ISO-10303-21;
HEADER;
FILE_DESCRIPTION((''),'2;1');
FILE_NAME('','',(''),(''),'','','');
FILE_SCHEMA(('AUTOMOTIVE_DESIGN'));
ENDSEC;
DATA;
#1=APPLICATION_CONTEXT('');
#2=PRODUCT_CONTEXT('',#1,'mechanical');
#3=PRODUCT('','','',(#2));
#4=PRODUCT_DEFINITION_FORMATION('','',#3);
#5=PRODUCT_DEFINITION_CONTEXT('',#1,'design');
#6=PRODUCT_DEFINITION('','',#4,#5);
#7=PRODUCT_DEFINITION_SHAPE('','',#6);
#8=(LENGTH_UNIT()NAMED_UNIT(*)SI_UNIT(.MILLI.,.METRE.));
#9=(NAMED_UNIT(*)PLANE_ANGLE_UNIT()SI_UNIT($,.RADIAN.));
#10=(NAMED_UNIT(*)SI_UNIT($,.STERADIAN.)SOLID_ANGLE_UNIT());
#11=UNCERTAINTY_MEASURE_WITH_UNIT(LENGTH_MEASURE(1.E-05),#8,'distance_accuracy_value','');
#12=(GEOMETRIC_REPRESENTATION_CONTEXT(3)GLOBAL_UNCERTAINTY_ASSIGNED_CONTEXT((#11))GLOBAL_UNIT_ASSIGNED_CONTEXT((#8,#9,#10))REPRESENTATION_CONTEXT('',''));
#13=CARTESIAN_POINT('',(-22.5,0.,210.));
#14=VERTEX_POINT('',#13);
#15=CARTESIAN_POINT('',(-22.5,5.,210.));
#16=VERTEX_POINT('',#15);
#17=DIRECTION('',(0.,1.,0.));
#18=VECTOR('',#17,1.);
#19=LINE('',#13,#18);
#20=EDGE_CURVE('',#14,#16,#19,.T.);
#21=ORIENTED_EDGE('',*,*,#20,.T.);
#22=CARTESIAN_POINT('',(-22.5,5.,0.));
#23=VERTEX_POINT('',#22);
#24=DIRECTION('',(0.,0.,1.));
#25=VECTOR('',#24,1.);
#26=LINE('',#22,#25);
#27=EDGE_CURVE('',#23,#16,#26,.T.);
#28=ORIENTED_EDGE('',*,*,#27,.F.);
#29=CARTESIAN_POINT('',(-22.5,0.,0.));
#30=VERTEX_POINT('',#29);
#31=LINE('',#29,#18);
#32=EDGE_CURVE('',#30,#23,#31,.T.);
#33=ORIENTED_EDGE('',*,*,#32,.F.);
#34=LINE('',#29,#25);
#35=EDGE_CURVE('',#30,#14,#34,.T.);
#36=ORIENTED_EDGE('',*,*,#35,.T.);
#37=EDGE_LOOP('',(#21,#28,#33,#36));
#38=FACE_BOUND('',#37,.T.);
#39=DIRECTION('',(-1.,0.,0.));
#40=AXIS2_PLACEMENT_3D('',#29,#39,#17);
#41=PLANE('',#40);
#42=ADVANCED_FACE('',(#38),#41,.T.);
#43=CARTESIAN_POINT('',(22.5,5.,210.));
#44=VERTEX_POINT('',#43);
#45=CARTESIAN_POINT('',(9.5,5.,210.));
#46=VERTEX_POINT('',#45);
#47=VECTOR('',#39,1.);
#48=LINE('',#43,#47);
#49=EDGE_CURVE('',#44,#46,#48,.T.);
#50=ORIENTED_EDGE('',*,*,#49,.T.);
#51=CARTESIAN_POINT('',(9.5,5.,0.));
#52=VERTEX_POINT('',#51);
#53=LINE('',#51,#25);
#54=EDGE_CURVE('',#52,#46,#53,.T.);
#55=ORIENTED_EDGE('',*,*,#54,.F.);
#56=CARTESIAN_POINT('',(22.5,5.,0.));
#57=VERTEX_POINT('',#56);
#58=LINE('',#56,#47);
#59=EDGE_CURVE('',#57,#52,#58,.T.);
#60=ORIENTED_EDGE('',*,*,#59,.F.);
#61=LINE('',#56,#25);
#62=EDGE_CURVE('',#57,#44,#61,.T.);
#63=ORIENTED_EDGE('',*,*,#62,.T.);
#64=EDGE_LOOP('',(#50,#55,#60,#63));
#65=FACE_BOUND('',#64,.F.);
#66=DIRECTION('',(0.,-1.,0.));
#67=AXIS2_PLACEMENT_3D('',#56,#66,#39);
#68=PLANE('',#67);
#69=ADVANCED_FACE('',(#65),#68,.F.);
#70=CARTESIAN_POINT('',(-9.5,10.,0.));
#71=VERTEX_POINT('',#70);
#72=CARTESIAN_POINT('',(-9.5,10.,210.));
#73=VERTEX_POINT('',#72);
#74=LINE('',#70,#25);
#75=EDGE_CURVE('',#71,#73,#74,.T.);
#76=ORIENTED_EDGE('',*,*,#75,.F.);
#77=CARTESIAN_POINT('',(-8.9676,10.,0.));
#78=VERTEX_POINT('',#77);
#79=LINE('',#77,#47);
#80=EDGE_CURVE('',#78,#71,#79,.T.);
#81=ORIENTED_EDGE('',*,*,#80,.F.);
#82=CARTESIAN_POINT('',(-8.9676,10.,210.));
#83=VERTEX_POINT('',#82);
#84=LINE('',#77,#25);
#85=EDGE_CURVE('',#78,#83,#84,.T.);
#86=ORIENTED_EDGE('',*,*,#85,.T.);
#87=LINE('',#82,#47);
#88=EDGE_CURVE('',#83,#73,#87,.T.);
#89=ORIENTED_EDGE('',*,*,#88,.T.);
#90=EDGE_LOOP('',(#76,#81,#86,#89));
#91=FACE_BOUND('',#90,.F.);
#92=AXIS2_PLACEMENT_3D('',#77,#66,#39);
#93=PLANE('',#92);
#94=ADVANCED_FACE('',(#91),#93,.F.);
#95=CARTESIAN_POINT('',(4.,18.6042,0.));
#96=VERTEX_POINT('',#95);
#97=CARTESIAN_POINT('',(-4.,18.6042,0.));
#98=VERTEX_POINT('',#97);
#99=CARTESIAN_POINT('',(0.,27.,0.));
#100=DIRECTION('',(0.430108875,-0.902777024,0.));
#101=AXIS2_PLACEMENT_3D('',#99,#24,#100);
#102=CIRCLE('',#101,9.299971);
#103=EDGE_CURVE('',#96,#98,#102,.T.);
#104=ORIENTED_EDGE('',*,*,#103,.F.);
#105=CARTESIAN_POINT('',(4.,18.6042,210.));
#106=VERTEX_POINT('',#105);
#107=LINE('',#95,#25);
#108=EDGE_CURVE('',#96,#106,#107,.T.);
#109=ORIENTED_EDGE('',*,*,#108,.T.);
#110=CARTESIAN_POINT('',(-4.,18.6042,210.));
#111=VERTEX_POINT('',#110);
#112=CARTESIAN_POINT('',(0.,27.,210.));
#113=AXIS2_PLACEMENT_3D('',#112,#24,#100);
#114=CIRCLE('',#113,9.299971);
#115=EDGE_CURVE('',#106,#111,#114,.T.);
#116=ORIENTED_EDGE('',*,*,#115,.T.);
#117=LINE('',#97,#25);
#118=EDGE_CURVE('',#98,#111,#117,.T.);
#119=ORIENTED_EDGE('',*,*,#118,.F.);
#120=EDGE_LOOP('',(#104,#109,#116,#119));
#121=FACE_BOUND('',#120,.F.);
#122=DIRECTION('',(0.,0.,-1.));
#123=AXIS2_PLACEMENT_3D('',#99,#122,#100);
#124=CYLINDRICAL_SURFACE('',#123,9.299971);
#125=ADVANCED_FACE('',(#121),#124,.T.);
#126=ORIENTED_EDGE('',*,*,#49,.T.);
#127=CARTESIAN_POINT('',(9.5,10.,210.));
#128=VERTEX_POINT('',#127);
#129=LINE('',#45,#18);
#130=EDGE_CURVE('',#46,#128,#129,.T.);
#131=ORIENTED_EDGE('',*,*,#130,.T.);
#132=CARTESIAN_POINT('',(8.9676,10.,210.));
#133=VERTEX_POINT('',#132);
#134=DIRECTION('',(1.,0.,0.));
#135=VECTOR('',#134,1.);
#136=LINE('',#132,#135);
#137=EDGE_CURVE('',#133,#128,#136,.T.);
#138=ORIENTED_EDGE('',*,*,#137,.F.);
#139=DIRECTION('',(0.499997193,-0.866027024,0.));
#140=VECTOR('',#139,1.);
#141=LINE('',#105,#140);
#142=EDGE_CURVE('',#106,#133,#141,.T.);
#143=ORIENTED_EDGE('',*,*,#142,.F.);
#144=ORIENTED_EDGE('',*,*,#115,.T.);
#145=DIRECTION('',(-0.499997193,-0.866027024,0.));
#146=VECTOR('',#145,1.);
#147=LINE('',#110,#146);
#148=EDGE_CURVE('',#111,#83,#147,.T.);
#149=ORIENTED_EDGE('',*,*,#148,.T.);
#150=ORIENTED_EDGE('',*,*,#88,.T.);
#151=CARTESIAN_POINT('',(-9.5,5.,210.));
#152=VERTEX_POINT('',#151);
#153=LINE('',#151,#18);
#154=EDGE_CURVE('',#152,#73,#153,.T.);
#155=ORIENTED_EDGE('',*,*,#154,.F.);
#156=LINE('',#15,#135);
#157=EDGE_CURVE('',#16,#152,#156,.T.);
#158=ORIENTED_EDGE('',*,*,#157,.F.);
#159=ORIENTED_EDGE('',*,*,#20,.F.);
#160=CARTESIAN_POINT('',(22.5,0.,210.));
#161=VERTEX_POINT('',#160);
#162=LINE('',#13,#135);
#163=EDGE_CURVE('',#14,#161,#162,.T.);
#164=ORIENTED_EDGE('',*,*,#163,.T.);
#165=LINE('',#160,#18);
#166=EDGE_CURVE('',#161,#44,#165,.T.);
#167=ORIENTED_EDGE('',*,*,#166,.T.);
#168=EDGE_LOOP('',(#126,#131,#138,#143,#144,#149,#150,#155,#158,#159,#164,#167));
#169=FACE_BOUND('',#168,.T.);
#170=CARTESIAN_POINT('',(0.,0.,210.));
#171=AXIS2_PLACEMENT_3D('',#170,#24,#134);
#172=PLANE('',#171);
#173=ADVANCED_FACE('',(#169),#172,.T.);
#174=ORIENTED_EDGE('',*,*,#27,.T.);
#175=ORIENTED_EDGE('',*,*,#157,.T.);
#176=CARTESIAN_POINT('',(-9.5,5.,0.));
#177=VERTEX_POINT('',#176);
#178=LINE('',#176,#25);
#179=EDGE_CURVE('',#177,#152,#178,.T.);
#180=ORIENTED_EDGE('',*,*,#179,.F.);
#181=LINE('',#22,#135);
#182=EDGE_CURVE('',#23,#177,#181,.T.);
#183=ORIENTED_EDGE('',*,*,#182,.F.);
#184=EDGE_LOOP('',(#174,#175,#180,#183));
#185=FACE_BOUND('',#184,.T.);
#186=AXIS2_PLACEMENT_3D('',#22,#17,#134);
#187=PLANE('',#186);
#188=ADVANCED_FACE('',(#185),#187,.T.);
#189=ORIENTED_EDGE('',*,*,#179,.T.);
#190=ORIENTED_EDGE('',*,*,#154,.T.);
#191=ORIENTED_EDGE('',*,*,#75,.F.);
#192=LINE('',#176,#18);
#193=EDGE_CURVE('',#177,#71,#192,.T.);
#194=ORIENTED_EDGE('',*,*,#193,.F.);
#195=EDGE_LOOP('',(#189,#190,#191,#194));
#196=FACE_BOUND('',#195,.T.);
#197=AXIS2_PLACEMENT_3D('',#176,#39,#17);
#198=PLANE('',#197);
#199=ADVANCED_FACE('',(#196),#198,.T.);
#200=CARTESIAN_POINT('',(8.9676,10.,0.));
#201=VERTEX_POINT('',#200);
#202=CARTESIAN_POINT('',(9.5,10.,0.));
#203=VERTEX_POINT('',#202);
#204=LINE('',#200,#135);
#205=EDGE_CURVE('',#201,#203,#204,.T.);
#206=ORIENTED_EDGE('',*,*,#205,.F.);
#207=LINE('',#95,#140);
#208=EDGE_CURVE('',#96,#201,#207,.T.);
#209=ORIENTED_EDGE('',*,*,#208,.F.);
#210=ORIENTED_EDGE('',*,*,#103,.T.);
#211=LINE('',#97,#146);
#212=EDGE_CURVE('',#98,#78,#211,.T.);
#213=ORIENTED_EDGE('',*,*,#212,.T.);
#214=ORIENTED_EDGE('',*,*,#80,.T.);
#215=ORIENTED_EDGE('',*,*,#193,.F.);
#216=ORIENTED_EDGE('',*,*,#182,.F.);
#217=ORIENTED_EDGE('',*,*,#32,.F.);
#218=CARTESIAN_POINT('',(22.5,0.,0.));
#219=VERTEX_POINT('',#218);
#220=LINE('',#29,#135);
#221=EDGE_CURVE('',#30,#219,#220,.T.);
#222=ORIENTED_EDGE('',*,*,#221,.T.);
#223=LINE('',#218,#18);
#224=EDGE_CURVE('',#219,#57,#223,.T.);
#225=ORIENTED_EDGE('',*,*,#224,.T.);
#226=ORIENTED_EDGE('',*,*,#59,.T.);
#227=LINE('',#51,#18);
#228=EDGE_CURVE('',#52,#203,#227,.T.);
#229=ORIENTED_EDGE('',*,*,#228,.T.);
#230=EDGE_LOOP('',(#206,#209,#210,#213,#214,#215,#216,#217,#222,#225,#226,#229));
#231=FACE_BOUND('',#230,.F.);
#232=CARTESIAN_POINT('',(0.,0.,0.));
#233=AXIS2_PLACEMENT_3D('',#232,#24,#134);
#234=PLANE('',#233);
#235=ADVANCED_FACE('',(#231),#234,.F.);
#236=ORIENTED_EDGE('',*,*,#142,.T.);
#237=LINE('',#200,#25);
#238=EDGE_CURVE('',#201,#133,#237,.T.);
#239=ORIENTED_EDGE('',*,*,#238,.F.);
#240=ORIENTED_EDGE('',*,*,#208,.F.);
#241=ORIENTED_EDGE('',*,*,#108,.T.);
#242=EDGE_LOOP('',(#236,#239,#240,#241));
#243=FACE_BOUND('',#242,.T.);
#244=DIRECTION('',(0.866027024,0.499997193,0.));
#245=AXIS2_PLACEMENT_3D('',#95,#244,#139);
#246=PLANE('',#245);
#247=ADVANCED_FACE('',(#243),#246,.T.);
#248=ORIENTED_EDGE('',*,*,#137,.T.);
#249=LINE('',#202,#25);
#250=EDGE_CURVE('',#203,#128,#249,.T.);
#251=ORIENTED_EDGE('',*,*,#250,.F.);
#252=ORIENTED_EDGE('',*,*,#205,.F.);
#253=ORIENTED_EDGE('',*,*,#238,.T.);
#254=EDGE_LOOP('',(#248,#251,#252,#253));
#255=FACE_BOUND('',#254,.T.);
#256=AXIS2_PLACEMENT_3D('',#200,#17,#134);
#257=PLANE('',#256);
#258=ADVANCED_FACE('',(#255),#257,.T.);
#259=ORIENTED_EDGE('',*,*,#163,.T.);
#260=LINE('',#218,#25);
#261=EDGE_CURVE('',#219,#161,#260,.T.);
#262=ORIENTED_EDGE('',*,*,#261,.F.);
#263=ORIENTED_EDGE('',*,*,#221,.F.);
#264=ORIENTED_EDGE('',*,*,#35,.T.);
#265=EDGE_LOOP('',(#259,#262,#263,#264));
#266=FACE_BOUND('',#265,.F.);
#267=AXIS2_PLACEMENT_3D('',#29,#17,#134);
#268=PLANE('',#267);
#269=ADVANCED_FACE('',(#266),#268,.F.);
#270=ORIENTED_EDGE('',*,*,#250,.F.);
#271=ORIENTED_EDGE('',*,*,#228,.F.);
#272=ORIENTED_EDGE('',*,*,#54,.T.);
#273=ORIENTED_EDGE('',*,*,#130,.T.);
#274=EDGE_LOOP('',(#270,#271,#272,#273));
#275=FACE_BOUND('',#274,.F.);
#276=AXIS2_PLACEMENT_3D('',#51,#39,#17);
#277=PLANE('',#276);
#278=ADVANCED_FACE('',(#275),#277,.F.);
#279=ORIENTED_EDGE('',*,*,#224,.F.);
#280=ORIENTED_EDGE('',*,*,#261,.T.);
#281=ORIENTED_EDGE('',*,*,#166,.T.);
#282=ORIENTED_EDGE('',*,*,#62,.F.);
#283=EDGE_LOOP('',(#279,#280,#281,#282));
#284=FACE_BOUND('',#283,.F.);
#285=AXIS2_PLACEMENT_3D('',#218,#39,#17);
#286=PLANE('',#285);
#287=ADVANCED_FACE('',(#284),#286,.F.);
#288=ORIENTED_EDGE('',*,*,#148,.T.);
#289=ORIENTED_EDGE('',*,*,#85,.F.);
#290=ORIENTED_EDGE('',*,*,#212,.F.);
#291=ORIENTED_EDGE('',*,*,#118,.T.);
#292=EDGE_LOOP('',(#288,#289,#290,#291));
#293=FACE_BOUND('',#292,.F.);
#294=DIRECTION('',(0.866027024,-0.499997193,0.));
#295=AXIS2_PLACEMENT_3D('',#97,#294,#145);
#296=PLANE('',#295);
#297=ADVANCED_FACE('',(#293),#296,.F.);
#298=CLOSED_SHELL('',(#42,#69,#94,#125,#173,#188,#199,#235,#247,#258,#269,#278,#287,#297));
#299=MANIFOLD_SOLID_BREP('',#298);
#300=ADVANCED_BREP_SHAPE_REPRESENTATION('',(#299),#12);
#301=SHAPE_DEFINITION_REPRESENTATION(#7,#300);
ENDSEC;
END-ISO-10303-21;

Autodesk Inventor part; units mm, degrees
ref_plane "YZ Plane" through (0, 0, 0) normal (1, 0, 0) x (0, 1, 0)
ref_plane "XZ Plane" through (0, 0, 0) normal (0, 1, 0) x (-1, 0, 0)
ref_plane "XY Plane" through (0, 0, 0) normal (0, 0, 1) x (1, 0, 0)
sketch "Sketch1" plane through (0, 0, 0) normal (0, 0, 1) x (1, 0, 0)
  line L0 (-22.5, 0) -> (22.5, 0)
  line L1 (22.5, 0) -> (22.5, 5)
  line L2 (-22.5, 0) -> (-22.5, 5)
  line L3 (-22.5, 5) -> (-9.5, 5)
  line L4 (22.5, 5) -> (9.5, 5)
  line L5 (-9.5, 5) -> (-9.5, 10)
  line L6 (9.5, 5) -> (9.5, 10)
  arc A0 (4, 18.6042) -> (-4, 18.6042) centre (0, 27) ccw
  line L7 (4, 18.6042) -> (8.9676, 10)
  line L8 (-4, 18.6042) -> (-8.9676, 10)
  line L9 (-9.5, 10) -> (9.5, 10) construction
  line L10 (-8.9676, 10) -> (-9.5, 10) construction
  line L11 (-8.9676, 10) -> (-9.5, 10)
  line L12 (8.9676, 10) -> (9.5, 10)
  line L13 (-11.4601, 5) -> (-11.4601, 0) construction
  line L14 (-16.9601, 5) -> (-16.9601, 0) construction
  line L15 (13.0399, 5) -> (13.0399, 0) construction
  line L16 (18.5399, 5) -> (18.5399, 0) construction
  arc A1 (-4, 18.6042) -> (4, 18.6042) centre (0, 27) ccw construction
  point P0 (0, 0)
  point P1 (0, 0)
  point P2 (0, 17.7)
  point P3 (15.7899, 5)
  point P4 (-14.2101, 5)
  dimension "B" = 45
  dimension "t" = 5
  dimension "d2" = 5
  dimension "dimensionf" = 19
  dimension "d4" = 13
  dimension "Y" = 10
  dimension "d6" = 5
  dimension "d" = 18.6
  dimension "e" = 22.5
  dimension "dimensionH" = 17.7
  dimension "dimensionh" = 27
  dimension "x" = 8
  dimension "d16" = 4
  dimension "dimensionc" = 30
  dimension "d21" = 6.7101
  dimension "s1" = 5.5
  dimension "d23" = 5.5
  dimension "d24" = 2.75
  dimension "d25" = 2.75
extrude "Extrusion1" add sketch "Sketch1" along normal blind 210
equation "\"d2\" = t"
equation "\"d16\" = 0.5 * x"
properties part number "sbr20_210mm"
